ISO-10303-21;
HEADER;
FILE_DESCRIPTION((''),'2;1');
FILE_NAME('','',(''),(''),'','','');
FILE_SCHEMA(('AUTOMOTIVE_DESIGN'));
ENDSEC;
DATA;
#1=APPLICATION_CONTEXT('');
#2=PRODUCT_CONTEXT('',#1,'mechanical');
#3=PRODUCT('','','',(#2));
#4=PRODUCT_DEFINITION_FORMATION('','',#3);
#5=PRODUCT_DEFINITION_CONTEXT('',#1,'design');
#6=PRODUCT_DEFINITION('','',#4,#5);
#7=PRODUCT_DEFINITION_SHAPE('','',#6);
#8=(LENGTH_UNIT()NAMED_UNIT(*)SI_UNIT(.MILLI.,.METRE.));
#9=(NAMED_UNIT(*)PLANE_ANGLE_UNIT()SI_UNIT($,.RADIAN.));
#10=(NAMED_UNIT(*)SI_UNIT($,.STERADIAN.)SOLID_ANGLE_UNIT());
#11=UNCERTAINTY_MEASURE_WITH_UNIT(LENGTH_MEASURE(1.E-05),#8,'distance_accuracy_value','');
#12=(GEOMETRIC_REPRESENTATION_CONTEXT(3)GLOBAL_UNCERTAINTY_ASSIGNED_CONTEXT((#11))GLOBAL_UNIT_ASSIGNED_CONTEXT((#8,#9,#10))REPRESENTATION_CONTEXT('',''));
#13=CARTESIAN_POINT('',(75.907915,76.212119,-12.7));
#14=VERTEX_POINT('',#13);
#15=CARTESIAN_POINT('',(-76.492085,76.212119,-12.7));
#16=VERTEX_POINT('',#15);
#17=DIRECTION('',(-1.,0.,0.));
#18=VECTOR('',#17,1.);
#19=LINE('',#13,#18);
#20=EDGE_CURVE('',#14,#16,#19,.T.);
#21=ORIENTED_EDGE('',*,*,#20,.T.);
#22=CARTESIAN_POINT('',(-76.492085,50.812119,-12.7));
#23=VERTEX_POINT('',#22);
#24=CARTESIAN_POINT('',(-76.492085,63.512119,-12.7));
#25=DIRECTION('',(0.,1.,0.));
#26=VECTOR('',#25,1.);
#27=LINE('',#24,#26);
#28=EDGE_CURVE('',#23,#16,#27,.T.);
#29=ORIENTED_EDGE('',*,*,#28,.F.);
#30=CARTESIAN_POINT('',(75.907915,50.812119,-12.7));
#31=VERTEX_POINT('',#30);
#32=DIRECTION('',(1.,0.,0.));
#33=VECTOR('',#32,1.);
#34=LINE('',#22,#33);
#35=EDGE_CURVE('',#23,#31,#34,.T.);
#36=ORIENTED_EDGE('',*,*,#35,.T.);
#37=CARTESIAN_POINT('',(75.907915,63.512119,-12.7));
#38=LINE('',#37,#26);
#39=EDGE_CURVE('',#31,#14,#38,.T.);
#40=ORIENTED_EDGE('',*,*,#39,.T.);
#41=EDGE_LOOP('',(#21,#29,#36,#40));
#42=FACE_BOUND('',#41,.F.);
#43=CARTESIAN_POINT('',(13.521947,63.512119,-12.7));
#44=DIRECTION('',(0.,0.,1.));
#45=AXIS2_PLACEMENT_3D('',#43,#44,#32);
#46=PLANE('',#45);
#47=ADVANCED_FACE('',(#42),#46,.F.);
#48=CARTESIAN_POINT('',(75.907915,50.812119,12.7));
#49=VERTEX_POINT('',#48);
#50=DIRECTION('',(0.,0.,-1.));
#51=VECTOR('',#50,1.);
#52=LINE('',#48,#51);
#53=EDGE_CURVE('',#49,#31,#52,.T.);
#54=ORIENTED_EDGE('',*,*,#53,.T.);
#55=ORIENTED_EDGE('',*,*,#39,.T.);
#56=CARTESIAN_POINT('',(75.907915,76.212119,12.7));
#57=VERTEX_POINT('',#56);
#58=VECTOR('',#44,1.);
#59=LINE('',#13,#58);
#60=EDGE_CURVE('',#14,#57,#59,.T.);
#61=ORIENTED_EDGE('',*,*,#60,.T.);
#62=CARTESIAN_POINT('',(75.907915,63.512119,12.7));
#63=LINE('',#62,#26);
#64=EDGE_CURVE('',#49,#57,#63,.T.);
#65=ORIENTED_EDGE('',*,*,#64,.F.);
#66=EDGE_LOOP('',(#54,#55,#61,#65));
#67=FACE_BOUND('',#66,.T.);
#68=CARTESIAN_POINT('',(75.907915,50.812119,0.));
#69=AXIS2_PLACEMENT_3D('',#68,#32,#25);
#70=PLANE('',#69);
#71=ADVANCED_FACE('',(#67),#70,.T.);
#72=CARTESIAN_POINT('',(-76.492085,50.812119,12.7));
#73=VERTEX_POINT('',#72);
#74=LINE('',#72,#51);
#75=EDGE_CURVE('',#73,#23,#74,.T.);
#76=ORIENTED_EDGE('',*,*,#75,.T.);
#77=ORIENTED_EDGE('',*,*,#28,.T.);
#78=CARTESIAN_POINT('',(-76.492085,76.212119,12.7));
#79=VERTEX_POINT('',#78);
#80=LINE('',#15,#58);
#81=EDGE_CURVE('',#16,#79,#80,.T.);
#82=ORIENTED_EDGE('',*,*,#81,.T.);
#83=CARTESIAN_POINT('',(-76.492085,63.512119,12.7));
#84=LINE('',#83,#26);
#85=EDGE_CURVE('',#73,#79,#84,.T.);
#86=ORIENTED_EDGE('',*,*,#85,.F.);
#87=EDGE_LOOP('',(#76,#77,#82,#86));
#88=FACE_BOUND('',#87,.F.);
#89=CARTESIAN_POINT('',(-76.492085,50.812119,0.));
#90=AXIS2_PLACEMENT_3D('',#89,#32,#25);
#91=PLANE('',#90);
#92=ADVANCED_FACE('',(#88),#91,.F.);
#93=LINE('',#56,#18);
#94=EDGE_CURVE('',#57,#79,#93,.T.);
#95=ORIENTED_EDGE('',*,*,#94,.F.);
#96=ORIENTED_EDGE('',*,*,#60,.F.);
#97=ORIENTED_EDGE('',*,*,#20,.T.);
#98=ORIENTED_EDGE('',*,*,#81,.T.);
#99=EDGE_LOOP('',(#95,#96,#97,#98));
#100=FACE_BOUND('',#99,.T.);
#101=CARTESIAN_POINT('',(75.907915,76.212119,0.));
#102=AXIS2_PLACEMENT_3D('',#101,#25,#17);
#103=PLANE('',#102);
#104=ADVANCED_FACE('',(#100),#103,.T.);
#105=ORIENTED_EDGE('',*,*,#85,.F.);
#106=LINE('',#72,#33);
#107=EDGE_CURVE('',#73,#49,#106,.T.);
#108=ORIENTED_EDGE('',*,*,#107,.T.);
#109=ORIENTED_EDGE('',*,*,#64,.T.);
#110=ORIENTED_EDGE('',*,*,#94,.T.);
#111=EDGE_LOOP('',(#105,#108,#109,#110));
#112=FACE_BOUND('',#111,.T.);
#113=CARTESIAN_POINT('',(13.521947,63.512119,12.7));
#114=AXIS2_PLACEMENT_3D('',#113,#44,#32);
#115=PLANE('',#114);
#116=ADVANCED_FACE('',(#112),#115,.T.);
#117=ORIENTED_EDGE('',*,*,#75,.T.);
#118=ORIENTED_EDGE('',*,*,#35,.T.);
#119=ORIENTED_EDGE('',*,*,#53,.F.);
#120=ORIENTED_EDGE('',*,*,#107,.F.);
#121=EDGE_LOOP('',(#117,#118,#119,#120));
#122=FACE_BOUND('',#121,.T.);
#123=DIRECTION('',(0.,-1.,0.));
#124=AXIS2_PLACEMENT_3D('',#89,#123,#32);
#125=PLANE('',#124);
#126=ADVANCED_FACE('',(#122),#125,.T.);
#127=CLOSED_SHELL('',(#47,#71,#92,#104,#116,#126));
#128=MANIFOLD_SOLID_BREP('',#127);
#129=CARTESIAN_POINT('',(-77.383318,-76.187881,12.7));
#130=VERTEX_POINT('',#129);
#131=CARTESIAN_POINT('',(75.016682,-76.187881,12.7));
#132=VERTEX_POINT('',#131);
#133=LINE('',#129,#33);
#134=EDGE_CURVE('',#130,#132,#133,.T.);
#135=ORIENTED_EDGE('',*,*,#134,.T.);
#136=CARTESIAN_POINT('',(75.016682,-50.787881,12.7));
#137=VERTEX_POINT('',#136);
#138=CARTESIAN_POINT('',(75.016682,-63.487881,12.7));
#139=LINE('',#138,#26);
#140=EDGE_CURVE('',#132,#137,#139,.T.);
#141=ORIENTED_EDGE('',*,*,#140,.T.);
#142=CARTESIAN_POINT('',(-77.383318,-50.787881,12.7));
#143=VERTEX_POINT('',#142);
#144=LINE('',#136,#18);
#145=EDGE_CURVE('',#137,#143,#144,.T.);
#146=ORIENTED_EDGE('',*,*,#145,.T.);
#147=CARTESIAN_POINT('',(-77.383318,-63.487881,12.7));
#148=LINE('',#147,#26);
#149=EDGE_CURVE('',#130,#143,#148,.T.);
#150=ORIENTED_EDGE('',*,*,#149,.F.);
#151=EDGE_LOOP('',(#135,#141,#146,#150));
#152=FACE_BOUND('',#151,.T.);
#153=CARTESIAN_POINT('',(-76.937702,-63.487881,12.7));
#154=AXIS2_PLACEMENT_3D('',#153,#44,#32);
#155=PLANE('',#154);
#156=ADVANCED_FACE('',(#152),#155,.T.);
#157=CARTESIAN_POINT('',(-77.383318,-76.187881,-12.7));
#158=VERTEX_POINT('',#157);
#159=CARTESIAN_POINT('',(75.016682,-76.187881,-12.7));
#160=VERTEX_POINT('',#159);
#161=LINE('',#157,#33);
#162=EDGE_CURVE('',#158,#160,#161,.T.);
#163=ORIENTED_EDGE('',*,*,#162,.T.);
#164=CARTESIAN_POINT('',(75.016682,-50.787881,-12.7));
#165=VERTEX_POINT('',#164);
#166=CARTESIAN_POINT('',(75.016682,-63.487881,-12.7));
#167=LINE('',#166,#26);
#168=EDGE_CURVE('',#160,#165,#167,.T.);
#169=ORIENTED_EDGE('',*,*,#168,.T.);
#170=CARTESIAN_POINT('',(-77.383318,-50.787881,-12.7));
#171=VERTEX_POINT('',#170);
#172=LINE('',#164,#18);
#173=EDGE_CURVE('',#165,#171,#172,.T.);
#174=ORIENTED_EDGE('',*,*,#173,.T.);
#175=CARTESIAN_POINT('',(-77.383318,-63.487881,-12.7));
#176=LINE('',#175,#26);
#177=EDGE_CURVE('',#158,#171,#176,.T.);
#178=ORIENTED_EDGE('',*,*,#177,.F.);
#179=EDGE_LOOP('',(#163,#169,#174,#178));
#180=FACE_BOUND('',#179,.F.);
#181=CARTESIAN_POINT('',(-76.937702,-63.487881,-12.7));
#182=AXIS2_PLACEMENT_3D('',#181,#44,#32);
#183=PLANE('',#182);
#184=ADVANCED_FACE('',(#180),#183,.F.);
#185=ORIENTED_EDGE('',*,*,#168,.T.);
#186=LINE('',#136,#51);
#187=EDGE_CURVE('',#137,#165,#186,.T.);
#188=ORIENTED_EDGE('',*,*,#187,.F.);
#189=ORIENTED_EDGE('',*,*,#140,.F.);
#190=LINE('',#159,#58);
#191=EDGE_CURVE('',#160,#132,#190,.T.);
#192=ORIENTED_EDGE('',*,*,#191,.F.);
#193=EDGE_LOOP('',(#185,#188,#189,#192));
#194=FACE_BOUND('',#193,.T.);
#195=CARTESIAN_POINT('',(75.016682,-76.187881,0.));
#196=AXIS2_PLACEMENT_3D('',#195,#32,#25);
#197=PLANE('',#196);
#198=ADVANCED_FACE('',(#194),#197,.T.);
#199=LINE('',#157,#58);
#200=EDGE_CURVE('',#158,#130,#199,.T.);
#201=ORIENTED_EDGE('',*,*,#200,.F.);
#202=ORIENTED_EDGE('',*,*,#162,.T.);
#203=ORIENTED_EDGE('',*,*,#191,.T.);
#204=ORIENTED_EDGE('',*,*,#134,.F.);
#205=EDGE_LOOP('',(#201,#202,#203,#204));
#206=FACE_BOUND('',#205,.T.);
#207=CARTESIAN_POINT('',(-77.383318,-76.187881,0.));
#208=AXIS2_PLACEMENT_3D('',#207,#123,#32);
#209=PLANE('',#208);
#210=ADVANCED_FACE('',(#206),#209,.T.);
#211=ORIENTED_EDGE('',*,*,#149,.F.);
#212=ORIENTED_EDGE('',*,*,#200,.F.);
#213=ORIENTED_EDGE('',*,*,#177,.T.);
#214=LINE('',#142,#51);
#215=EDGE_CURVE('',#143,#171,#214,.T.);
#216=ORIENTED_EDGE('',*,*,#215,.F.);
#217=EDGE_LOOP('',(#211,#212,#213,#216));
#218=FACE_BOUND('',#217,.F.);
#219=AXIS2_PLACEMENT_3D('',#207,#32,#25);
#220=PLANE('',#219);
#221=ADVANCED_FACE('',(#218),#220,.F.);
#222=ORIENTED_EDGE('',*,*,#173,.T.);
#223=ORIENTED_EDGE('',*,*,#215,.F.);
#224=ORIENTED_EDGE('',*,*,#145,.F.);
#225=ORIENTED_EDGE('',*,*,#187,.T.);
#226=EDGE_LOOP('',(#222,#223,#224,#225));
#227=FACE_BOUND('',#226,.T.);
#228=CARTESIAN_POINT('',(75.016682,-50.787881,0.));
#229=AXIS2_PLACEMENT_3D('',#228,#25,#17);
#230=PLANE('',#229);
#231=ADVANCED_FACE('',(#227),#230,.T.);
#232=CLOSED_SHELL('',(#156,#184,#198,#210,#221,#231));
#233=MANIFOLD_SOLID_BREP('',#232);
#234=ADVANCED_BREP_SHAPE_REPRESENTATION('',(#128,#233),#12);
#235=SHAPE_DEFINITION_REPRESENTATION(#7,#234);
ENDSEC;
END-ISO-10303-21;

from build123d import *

# Parameters (mm, degrees)
F0_W     = 124.7719364792
F0_H     = 25.4
F0_W_2   = 27.6280635208
F1_DEPTH = 12.7
F0_W_3   = 0.8912334468
F0_W_4   = 123.8807030324


with BuildPart() as f1:
    # F0 (on Top) → F1 (new body, symmetric)
    with BuildSketch(Plane.XY):
        with Locations((13.5219467348, 63.5121193758)):
            Rectangle(F0_W, F0_H)
        with Locations((-62.6780532652, 63.5121193758)):
            Rectangle(F0_W_2, F0_H)
    extrude(amount=F1_DEPTH, both=True)


with BuildPart() as f1b:
    # F0 (on Top) → F1, piece 2 (new body, symmetric)
    with BuildSketch(Plane.XY):
        with Locations((-76.937701749, -63.4878806242)):
            Rectangle(F0_W_3, F0_H)
        with Locations((13.0763300113, -63.4878806242)):
            Rectangle(F0_W_4, F0_H)
        with Locations((-62.6780532652, -63.4878806242)):
            Rectangle(F0_W_2, F0_H)
    extrude(amount=F1_DEPTH, both=True)


solid = Compound([f1.part, f1b.part])
